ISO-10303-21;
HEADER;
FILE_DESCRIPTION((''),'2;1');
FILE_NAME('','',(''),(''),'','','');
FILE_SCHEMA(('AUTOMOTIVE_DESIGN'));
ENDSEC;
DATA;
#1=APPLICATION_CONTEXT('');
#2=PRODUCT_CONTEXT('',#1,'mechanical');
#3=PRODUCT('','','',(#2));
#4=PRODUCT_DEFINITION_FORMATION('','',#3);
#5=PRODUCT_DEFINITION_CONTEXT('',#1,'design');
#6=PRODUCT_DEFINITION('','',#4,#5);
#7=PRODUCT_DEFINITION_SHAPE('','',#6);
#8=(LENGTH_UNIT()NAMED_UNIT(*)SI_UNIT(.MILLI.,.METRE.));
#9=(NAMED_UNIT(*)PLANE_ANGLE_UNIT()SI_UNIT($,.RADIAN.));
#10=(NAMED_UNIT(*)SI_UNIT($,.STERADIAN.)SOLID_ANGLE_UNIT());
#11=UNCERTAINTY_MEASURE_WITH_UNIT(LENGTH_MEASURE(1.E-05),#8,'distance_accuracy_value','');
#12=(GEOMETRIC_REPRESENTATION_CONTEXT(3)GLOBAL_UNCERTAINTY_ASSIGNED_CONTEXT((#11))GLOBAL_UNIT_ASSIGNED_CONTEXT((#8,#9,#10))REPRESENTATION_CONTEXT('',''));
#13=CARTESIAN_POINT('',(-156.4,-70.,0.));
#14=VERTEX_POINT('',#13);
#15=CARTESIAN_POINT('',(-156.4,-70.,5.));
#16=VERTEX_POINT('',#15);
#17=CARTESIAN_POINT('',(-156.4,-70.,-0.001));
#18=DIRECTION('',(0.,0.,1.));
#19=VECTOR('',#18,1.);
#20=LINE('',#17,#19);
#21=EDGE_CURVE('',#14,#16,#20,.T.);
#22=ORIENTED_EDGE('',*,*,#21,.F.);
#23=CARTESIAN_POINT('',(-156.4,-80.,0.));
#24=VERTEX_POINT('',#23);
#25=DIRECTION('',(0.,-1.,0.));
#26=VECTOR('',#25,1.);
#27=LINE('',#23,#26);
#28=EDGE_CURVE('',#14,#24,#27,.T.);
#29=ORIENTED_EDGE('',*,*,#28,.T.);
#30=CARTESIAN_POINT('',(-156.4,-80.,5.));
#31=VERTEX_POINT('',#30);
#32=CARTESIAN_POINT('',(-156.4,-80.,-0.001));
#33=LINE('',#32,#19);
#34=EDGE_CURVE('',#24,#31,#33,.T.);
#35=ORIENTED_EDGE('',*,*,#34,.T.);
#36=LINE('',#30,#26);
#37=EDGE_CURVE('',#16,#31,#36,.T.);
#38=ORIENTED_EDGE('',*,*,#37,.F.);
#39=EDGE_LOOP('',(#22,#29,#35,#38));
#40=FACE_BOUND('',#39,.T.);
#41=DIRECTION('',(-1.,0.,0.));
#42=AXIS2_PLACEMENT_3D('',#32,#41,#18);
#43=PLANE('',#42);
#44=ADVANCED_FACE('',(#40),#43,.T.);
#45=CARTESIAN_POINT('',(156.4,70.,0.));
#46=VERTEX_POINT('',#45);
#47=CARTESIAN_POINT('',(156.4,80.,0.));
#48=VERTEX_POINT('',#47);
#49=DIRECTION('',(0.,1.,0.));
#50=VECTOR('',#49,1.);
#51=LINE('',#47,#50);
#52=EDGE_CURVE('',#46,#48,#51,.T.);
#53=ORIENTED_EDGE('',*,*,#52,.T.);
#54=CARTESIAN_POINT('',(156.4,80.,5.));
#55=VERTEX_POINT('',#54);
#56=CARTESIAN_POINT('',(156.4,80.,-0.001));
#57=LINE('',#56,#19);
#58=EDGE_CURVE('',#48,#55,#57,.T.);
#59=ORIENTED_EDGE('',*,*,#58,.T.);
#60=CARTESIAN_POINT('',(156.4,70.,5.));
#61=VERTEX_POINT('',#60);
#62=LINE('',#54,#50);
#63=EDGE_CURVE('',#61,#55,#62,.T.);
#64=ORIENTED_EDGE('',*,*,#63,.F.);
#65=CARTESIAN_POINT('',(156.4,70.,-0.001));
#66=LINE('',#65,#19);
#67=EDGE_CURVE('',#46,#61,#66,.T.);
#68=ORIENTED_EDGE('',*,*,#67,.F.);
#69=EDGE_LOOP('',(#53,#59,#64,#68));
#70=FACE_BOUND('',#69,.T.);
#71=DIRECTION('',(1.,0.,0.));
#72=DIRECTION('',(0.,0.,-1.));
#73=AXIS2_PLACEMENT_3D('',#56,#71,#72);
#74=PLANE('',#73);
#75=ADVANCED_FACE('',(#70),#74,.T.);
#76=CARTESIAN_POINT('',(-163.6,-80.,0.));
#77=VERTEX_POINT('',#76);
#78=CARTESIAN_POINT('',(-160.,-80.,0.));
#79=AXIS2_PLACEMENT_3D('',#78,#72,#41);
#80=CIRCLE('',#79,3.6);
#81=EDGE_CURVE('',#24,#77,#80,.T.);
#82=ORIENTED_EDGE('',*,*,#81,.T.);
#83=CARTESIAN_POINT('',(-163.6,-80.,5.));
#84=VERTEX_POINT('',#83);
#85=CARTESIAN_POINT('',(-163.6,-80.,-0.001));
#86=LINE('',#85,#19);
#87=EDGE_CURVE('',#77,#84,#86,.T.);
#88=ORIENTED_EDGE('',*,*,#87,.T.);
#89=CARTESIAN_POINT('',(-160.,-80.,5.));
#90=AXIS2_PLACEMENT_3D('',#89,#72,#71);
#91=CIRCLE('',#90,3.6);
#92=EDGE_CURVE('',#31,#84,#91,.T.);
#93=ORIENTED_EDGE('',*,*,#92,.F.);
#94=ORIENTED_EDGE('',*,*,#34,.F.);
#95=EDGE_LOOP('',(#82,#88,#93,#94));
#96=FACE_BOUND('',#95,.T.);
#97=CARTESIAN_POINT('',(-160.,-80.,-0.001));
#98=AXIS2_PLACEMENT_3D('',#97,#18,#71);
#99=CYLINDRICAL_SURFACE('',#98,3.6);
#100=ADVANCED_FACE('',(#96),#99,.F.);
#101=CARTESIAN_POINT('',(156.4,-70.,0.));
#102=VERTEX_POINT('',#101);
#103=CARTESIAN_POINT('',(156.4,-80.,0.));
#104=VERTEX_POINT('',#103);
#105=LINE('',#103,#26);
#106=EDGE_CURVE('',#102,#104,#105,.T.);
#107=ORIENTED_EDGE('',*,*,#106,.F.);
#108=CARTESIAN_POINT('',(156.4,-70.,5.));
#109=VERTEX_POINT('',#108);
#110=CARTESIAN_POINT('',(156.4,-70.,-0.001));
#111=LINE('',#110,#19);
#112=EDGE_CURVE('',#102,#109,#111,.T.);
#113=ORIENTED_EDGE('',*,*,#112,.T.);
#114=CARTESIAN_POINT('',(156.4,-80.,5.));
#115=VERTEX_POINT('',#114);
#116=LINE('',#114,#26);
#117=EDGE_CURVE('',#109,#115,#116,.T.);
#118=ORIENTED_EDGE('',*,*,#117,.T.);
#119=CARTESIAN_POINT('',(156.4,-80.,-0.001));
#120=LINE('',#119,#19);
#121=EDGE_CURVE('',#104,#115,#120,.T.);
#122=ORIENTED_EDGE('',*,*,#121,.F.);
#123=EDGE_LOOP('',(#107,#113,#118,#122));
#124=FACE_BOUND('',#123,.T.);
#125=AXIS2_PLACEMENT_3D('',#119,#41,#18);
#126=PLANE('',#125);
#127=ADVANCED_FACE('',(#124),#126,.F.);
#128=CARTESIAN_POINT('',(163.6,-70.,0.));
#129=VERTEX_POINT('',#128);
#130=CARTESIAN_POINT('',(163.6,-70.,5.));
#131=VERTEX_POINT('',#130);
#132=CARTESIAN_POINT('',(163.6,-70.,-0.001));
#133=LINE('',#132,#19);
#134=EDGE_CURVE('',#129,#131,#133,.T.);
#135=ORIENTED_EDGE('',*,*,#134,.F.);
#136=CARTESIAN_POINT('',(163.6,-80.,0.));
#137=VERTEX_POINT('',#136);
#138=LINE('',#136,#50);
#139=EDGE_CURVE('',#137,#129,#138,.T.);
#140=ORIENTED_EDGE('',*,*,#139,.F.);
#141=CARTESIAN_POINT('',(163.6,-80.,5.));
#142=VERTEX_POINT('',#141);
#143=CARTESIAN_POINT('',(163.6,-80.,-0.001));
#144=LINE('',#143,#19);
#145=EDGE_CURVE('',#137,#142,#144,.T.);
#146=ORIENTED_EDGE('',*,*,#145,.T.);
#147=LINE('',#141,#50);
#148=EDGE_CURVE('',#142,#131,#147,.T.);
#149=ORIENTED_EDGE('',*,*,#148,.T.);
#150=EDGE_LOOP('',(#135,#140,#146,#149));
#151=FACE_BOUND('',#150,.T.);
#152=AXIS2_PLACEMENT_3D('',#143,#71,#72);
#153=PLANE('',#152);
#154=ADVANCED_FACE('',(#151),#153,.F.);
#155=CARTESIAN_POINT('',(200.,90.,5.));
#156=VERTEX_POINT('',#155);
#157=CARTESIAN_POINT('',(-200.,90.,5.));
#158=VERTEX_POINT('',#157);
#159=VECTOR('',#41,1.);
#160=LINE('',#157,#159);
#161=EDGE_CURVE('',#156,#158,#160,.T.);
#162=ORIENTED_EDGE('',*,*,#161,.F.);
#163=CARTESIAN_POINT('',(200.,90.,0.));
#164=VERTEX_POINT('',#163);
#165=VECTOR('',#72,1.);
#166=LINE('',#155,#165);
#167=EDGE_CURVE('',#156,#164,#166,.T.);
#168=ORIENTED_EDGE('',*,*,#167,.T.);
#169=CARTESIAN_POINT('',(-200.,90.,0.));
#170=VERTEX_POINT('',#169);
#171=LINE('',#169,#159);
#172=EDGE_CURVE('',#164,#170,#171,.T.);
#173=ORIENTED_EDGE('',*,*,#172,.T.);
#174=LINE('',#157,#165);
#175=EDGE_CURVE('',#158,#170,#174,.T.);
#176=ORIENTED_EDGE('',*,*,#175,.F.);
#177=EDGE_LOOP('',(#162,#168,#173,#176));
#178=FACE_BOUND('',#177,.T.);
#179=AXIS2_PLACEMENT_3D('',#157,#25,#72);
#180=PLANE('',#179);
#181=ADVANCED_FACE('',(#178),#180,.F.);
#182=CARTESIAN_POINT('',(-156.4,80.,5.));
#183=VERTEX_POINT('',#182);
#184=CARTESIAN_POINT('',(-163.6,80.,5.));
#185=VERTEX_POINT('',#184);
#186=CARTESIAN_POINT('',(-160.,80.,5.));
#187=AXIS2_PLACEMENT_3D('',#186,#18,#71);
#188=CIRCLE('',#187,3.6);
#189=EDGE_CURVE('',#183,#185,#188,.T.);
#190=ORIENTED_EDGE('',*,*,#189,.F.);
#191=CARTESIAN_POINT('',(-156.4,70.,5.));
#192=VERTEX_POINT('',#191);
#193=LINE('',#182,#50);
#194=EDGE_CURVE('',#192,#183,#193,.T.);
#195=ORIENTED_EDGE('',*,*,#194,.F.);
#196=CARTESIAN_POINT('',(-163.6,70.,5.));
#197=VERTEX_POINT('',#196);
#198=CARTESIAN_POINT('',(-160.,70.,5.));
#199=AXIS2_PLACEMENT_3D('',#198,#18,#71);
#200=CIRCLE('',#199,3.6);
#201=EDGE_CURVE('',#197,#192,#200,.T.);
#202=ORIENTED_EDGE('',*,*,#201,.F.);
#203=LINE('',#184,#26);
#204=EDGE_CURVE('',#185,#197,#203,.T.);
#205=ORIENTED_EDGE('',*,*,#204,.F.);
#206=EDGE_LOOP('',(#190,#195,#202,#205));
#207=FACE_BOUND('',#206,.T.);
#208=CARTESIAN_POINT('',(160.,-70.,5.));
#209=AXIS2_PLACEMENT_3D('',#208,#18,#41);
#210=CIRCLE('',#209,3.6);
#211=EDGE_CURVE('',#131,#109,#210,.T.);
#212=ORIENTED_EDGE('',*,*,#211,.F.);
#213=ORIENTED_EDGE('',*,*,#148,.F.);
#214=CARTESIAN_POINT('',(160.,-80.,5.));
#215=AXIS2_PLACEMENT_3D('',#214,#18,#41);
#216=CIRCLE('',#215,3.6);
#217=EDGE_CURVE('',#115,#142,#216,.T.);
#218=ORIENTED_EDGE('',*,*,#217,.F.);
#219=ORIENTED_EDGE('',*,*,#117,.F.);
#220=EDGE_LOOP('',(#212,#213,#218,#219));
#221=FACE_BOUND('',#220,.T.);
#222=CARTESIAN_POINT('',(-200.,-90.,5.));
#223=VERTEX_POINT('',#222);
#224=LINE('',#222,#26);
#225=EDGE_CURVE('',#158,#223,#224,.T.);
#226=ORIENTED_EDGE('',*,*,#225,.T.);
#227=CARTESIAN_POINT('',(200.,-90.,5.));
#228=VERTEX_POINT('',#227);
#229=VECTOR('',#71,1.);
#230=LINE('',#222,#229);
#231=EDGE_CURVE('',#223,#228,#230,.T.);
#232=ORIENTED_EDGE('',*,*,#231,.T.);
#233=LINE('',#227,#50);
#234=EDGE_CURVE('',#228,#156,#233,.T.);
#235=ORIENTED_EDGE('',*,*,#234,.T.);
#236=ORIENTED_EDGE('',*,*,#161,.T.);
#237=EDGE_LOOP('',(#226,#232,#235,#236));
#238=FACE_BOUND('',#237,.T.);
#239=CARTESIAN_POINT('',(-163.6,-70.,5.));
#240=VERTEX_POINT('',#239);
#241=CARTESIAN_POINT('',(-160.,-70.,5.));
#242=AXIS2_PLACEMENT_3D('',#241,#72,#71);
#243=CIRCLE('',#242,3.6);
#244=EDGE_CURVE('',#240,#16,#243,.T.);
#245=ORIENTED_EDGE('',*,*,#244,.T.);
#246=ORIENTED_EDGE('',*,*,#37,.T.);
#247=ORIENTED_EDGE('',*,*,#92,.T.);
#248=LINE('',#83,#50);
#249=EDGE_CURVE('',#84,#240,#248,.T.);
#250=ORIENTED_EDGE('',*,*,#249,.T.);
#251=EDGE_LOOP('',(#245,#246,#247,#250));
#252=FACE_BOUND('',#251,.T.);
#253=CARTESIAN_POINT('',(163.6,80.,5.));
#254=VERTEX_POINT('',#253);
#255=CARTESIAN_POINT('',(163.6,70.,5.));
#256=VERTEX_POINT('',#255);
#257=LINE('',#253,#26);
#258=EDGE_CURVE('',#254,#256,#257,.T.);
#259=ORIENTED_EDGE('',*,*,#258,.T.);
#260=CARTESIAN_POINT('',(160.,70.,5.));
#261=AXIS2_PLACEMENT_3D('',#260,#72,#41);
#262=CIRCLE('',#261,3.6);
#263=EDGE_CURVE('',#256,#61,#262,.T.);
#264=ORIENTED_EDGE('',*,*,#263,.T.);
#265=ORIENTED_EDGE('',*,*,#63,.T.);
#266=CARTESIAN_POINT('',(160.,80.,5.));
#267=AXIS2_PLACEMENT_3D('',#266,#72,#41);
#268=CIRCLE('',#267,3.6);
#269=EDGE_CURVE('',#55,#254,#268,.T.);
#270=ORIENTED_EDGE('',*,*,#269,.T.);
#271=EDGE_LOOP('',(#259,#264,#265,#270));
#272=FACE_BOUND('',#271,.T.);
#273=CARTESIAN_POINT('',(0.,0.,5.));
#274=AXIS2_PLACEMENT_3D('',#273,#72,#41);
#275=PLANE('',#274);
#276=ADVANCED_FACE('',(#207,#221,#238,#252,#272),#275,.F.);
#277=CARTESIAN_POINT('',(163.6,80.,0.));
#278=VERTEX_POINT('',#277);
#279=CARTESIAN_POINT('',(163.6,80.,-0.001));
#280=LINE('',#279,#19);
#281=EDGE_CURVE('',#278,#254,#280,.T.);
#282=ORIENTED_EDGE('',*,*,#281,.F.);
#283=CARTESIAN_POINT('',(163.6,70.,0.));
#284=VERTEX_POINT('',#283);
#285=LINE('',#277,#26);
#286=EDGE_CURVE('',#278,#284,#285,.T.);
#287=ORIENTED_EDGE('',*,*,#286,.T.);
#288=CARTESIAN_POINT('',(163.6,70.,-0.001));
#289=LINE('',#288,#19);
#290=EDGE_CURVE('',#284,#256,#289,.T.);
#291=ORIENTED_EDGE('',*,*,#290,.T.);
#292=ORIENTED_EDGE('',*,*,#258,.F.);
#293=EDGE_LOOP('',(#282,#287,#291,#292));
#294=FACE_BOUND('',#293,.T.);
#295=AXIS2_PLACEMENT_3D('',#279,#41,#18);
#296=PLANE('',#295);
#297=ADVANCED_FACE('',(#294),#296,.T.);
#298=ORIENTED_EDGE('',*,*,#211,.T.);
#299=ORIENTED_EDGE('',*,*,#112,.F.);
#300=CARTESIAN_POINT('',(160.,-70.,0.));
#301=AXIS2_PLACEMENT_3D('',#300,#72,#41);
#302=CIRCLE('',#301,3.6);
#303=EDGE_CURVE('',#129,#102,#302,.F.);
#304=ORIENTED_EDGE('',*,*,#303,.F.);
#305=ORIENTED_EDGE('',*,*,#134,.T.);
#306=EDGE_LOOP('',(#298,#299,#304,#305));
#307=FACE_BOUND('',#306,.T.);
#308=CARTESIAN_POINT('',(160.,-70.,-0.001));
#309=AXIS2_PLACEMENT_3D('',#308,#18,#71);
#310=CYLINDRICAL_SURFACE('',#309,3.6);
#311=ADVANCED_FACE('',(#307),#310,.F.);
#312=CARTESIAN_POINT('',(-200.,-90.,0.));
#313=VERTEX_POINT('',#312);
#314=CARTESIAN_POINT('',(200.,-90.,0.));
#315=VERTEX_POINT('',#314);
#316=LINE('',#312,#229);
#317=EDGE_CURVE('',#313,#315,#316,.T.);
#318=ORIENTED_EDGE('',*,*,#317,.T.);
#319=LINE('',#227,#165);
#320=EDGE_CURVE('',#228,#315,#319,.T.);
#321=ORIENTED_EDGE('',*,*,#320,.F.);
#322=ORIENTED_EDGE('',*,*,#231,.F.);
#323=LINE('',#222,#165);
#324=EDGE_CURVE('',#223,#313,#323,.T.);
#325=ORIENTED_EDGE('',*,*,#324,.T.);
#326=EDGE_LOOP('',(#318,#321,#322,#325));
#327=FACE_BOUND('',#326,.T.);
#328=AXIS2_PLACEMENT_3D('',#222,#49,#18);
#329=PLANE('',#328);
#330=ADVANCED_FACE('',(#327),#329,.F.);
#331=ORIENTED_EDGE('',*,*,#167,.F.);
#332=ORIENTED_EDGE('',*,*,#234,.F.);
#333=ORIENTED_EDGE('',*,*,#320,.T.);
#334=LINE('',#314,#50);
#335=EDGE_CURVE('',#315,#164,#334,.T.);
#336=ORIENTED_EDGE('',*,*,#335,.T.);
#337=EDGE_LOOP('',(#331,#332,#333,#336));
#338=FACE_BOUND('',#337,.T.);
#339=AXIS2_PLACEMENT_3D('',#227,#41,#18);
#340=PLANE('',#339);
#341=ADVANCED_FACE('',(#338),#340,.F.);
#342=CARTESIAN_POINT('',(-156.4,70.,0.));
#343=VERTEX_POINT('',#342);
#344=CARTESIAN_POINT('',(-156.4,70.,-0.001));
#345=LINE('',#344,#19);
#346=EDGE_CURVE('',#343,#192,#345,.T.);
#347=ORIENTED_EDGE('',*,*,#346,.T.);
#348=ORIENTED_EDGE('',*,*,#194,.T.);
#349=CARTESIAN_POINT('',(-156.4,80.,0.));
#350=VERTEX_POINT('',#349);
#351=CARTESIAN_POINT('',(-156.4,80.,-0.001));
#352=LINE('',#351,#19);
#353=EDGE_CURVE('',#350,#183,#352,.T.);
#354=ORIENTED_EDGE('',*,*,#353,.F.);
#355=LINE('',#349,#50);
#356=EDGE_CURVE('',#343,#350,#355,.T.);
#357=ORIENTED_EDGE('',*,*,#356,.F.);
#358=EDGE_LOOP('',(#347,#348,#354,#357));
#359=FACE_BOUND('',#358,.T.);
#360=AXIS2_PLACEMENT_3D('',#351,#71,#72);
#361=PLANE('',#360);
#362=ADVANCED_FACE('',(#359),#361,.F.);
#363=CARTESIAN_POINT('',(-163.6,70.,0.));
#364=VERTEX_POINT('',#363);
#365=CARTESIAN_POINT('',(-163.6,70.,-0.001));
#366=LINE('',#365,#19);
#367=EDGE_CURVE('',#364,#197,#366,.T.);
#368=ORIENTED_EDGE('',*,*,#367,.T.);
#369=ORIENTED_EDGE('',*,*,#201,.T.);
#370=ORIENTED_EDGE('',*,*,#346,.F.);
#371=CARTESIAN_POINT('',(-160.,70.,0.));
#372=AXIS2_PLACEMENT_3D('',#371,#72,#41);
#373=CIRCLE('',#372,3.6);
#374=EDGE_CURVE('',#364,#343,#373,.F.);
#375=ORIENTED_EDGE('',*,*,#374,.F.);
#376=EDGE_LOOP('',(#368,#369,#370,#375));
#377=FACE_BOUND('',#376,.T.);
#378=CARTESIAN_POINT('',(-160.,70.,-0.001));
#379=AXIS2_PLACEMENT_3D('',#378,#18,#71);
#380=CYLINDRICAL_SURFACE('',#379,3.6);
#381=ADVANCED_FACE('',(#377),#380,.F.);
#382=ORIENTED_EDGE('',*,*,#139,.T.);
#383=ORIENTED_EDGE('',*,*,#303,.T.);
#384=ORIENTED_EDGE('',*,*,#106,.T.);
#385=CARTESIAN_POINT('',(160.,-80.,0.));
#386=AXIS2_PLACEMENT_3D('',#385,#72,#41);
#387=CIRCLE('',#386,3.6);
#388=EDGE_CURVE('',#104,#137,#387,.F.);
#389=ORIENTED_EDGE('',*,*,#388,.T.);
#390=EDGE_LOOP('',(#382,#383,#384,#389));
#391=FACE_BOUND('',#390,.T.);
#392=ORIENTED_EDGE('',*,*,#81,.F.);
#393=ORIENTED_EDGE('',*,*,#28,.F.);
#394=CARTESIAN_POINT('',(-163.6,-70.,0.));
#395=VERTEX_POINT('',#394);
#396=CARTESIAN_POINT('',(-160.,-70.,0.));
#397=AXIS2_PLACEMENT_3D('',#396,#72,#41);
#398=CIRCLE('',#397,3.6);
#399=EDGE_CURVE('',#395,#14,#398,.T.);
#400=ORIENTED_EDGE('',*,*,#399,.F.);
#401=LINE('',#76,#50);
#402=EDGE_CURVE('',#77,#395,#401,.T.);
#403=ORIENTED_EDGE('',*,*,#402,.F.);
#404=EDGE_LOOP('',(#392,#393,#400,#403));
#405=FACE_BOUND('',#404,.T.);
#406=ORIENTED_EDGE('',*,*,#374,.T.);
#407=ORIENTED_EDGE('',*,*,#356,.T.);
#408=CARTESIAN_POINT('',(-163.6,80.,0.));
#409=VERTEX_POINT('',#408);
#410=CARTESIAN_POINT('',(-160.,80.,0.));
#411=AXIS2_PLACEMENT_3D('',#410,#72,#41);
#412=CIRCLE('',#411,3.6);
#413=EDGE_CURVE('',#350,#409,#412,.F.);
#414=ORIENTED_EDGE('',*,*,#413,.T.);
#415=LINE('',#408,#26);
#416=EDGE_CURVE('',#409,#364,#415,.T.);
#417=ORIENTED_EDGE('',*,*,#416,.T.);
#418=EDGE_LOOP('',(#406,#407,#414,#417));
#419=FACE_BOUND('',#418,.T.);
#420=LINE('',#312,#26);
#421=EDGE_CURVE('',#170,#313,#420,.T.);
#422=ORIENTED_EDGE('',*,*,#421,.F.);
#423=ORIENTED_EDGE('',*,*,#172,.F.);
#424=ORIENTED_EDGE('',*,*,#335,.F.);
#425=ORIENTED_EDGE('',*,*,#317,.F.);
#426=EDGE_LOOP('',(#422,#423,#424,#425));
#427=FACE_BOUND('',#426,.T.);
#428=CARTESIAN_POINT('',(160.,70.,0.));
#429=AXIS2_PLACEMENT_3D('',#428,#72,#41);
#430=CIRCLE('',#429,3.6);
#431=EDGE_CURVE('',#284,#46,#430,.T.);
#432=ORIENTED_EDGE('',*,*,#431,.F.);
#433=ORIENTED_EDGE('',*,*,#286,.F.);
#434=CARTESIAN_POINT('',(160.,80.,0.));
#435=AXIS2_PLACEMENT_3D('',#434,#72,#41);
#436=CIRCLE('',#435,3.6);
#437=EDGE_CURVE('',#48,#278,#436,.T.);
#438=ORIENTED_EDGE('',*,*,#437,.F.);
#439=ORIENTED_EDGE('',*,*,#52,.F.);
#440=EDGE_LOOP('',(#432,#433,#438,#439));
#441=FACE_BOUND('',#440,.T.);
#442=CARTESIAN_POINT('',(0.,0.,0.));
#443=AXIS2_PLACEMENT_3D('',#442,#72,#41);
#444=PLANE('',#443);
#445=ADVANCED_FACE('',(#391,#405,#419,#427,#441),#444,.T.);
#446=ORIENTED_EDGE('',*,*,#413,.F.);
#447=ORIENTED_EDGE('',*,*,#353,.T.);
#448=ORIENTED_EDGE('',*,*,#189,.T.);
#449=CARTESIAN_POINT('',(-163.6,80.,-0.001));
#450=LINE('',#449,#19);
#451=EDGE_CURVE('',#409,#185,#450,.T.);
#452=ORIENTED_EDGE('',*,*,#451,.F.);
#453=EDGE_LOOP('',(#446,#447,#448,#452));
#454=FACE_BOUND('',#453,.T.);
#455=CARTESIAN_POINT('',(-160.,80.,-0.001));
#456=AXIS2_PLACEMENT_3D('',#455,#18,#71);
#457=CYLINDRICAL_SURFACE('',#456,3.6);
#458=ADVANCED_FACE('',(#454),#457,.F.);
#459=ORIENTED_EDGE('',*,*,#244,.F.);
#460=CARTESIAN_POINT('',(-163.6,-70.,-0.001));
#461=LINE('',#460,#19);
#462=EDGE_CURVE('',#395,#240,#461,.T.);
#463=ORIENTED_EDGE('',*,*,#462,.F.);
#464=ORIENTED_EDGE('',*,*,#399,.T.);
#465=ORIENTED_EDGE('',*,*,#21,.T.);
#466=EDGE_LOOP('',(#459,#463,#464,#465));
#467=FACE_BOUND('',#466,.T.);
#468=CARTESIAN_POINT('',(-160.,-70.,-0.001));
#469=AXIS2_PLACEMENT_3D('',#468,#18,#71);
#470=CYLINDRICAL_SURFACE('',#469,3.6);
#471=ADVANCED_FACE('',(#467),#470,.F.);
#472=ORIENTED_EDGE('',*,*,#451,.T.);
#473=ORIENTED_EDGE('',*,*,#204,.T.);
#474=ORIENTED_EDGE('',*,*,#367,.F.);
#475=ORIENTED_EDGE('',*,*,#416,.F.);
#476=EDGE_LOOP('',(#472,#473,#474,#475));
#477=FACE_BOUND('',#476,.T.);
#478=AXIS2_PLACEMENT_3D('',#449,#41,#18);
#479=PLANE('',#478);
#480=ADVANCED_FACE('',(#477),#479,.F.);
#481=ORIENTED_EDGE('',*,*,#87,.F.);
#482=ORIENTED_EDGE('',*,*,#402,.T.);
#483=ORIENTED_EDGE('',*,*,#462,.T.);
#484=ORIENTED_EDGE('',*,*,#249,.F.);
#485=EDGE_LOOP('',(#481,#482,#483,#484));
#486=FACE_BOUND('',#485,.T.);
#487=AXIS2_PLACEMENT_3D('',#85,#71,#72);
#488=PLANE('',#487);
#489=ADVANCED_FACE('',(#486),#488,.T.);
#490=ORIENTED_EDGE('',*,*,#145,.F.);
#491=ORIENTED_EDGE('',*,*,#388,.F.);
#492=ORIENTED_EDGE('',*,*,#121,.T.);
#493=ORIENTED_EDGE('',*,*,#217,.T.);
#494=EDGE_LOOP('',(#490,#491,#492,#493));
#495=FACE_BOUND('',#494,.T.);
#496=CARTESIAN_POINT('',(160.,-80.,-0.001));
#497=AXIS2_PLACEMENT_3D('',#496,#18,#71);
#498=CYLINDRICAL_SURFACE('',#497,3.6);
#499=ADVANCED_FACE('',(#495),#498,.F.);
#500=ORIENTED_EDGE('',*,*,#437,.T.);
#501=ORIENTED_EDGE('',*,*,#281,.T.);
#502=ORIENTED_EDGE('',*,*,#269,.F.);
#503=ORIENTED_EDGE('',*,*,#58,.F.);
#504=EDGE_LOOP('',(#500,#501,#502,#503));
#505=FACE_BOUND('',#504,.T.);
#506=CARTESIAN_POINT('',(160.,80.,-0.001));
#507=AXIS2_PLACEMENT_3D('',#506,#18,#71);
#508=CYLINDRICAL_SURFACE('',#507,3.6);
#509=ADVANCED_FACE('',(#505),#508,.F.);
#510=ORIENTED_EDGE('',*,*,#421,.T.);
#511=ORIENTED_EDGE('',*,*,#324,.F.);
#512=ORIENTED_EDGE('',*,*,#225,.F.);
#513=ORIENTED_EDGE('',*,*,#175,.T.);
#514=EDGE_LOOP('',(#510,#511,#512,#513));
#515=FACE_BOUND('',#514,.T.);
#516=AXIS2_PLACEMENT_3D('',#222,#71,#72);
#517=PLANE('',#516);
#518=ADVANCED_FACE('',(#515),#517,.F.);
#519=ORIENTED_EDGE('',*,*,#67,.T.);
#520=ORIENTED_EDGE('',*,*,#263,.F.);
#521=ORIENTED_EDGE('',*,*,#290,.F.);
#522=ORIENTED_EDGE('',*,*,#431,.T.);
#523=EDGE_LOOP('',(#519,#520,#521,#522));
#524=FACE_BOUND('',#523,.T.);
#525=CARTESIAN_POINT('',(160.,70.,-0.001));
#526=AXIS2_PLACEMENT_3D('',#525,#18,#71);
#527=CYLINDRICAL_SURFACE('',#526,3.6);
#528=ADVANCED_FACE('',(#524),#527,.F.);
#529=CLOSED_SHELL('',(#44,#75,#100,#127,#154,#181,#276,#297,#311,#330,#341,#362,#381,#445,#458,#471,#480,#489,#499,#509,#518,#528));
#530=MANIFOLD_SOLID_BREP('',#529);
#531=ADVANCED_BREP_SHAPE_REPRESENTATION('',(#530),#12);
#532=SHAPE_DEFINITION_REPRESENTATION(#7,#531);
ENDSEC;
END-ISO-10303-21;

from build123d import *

# Parameters (mm, degrees)
SKETCH2_W                                = 400
SKETCH2_H                                = 180
BOSS_EXTRUDE1_DEPTH                      = 5
CUT_EXTRUDE1_REACH                       = 221.374
MIRROR1_AT_THE_SECOND_PLANE_COPY_1_REACH = 221.374


with BuildPart() as part:
    # Sketch2 → Boss-Extrude1 (new body)
    with BuildSketch(Plane.XY):
        Rectangle(SKETCH2_W, SKETCH2_H)
    extrude(amount=BOSS_EXTRUDE1_DEPTH)

    # Sketch3 → Cut-Extrude1 (cut, up to next)
    with BuildSketch(Plane.XY.offset(5), mode=Mode.PRIVATE) as cut_extrude1_sk1:
        with BuildLine():
            Line((-156.4, 80), (-156.4, 70))
            ThreePointArc((-156.4, 70), (-160, 66.4), (-163.6, 70))
            Line((-163.6, 70), (-163.6, 80))
            ThreePointArc((-163.6, 80), (-160, 83.6), (-156.4, 80))
        make_face()
    cut_extrude1_tool1 = extrude(cut_extrude1_sk1.sketch, amount=-CUT_EXTRUDE1_REACH, mode=Mode.PRIVATE) & part.part
    cut_extrude1 = cut_extrude1_tool1.solids().sort_by_distance((-160, 75, 5))[0]
    add(cut_extrude1, mode=Mode.SUBTRACT)

    # Mirror1: Cut-Extrude1 across plane
    add(cut_extrude1.mirror(Plane.ZX), mode=Mode.SUBTRACT)

    # Mirror1 at the second plane: Cut-Extrude1 across plane
    add(cut_extrude1.mirror(Plane(origin=(0, 0, 0), x_dir=(0, 0, 1), z_dir=(1, 0, 0))), mode=Mode.SUBTRACT)

    # Mirror1 at the second plane copy 1 sketc → Mirror1 at the second plane copy 1 (cut, up to next)
    with BuildSketch(Plane(origin=(0, 0, 5), x_dir=(-1, 0, 0), z_dir=(0, 0, 1)), mode=Mode.PRIVATE) as mirror1_at_the_second_plane_copy_1_sk1:
        with BuildLine():
            Line((-156.4, 80), (-156.4, 70))
            ThreePointArc((-156.4, 70), (-160, 66.4), (-163.6, 70))
            Line((-163.6, 70), (-163.6, 80))
            ThreePointArc((-163.6, 80), (-160, 83.6), (-156.4, 80))
        make_face()
    mirror1_at_the_second_plane_copy_1_tool1 = extrude(mirror1_at_the_second_plane_copy_1_sk1.sketch, amount=-MIRROR1_AT_THE_SECOND_PLANE_COPY_1_REACH, mode=Mode.PRIVATE) & part.part
    add(mirror1_at_the_second_plane_copy_1_tool1.solids().sort_by_distance((160, -75, 5))[0], mode=Mode.SUBTRACT)


solid = part.part
